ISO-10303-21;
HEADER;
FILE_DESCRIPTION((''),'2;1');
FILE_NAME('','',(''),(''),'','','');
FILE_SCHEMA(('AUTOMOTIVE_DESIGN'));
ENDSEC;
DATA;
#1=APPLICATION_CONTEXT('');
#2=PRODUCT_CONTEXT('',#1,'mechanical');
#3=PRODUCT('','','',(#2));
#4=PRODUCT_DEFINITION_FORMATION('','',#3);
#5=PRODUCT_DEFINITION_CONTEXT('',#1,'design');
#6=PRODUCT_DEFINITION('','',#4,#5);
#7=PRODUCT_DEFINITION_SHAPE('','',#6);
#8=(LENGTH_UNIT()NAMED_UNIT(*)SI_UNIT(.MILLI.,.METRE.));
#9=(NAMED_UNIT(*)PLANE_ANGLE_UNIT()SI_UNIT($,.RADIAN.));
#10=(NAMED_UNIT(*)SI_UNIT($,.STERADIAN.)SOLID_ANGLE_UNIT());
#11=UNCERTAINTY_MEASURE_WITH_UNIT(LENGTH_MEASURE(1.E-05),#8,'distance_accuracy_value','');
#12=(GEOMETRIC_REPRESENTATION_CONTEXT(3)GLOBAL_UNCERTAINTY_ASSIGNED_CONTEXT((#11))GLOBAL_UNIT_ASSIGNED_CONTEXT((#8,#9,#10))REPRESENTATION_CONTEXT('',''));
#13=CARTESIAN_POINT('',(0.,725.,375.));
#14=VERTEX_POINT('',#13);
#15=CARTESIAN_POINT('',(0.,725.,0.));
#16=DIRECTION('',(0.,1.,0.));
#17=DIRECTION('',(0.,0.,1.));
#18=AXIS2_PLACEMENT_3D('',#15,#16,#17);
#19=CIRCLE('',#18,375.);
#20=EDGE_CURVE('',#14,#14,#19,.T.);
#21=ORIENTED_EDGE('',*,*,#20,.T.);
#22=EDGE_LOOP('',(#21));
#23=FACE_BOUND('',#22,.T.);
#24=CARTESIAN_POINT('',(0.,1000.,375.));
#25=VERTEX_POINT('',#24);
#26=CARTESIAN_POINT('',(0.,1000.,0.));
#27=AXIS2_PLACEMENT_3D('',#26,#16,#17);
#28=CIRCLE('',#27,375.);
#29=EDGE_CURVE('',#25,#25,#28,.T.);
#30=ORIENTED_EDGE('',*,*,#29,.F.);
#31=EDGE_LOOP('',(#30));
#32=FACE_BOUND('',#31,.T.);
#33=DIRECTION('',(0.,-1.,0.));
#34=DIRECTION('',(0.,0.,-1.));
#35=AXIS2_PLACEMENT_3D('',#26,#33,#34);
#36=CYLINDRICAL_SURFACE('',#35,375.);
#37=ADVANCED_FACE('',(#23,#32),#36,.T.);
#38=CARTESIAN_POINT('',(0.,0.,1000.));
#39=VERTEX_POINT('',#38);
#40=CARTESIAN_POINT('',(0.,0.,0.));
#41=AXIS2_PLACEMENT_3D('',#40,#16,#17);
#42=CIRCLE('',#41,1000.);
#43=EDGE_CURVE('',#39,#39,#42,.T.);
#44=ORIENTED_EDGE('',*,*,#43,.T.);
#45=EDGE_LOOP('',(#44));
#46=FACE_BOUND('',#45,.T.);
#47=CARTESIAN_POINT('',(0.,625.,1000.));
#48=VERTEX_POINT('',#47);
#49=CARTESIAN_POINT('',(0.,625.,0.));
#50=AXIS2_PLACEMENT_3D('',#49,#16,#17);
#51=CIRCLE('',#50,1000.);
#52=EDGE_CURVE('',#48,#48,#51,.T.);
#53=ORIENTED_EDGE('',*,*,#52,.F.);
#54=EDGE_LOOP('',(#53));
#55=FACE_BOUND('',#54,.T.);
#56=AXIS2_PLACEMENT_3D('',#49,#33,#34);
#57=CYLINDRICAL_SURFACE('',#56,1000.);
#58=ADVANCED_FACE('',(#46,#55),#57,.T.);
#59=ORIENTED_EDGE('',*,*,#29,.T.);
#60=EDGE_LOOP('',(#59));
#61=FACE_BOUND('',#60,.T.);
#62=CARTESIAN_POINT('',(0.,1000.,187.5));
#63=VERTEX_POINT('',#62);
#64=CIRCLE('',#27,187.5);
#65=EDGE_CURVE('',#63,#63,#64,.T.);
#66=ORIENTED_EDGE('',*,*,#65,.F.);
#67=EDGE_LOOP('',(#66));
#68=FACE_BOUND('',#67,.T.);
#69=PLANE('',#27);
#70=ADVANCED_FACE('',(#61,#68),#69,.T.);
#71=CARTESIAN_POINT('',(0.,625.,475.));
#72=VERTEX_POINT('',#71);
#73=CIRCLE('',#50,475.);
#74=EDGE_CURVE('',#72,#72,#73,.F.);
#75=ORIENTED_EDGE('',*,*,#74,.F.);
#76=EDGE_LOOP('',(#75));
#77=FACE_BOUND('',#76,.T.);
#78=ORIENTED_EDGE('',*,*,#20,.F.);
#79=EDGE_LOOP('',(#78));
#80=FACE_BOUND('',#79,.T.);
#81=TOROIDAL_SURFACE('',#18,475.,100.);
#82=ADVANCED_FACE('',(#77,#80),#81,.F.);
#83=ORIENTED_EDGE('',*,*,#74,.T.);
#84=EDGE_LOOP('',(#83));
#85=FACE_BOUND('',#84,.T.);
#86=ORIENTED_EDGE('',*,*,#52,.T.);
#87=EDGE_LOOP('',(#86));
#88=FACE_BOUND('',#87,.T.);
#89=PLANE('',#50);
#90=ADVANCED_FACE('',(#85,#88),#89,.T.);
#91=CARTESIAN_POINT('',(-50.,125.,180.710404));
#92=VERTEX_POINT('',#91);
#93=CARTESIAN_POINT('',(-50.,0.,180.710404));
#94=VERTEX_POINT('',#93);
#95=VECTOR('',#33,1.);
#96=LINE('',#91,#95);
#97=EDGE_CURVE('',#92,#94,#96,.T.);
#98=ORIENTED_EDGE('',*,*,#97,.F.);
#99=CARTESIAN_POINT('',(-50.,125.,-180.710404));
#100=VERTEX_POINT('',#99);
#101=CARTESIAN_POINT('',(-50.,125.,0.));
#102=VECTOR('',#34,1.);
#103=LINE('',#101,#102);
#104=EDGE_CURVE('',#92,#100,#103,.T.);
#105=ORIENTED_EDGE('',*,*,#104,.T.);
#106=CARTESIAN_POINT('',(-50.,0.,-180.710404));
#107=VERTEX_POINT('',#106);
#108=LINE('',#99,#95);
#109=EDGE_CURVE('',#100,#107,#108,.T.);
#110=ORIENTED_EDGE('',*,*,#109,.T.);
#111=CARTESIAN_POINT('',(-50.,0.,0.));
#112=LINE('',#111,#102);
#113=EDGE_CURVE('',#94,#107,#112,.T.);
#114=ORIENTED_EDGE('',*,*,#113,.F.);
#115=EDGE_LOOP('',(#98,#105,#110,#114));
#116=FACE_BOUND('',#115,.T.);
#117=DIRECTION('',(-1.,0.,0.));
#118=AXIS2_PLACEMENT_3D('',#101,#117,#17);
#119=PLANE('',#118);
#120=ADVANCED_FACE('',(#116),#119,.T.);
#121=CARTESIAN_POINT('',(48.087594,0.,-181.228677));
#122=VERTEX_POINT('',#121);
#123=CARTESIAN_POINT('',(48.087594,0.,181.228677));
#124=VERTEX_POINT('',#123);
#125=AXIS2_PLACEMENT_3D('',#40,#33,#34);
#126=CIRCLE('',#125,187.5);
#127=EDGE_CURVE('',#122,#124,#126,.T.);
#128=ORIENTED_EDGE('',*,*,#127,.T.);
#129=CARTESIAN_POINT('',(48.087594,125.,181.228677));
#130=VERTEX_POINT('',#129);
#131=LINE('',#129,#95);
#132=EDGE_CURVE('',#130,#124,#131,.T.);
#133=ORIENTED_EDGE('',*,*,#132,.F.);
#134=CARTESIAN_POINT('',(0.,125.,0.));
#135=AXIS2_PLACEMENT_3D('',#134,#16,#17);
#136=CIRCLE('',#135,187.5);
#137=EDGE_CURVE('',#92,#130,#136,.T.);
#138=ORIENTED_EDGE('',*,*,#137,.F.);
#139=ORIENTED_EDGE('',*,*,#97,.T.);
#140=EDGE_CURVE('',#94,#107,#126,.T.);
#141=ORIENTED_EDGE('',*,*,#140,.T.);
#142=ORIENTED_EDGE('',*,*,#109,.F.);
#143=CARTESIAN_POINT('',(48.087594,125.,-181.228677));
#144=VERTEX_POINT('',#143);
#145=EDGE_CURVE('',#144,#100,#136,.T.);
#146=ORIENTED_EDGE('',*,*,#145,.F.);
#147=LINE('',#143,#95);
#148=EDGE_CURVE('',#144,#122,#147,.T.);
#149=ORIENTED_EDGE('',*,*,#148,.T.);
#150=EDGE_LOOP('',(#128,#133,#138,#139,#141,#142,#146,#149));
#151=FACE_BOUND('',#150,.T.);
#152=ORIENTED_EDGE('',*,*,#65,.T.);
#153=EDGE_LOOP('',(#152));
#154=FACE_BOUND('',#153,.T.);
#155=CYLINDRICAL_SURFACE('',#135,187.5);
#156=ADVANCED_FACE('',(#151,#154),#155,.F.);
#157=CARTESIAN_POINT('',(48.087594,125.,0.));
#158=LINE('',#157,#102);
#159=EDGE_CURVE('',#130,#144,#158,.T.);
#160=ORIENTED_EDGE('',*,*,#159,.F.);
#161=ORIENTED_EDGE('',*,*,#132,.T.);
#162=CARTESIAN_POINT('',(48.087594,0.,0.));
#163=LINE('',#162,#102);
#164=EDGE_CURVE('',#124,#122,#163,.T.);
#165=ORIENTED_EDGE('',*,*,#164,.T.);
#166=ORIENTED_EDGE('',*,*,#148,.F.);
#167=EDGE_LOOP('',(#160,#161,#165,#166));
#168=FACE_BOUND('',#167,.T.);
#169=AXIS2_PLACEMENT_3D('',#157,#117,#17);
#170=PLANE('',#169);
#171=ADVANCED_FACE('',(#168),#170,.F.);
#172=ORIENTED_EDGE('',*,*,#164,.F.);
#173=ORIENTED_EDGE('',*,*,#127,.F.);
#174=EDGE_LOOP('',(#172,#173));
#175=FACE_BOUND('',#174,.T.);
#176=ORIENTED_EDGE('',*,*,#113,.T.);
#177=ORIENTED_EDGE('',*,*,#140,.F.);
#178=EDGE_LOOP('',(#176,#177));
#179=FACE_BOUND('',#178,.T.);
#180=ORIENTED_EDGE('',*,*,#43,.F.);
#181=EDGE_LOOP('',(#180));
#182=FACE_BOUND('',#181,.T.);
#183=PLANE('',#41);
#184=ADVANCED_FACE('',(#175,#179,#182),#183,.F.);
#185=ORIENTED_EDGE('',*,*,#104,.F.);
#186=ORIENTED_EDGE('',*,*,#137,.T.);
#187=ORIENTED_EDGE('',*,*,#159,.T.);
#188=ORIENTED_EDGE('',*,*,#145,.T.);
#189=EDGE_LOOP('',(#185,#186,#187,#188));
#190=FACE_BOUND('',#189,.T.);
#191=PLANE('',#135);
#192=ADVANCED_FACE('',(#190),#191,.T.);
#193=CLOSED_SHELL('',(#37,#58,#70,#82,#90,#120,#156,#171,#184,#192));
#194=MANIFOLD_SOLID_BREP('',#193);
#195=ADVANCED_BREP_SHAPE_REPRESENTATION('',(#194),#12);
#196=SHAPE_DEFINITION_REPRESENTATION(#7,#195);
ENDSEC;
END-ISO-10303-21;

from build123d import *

# Parameters (mm, degrees)
SKETCH1_R           = 1000
BOSS_EXTRUDE1_DEPTH = 625
SKETCH2_R           = 375
BOSS_EXTRUDE2_DEPTH = 375
FILLET1_R           = 100
SKETCH3_R           = 187.5
CUT_EXTRUDE1_DEPTH  = 875
CUT_EXTRUDE2_START  = -125
CUT_EXTRUDE2_DEPTH  = 125


with BuildPart() as part:
    # Sketch1 → Boss-Extrude1 (new body)
    with BuildSketch(Plane(origin=(0, 0, 0), x_dir=(1, 0, 0), z_dir=(0, 1, 0))):
        with Locations(Location((0, 0, 0), (0, 0, 270))):
            Circle(SKETCH1_R)
    extrude(amount=BOSS_EXTRUDE1_DEPTH)

    # Sketch2 → Boss-Extrude2 (add)
    with BuildSketch(Plane(origin=(0, 625, 0), x_dir=(1, 0, 0), z_dir=(0, 1, 0))):
        with Locations(Location((0, 0, 0), (0, 0, 270))):
            Circle(SKETCH2_R)
    extrude(amount=BOSS_EXTRUDE2_DEPTH)

    # Fillet1
    fillet1_edges = [part.edges().sort_by_distance(p)[0] for p in [
        (0, 625, -375),
    ]]
    fillet(fillet1_edges, radius=FILLET1_R)

    # Sketch3 → Cut-Extrude1 (cut)
    with BuildSketch(Plane(origin=(0, 1000, 0), x_dir=(1, 0, 0), z_dir=(0, 1, 0))):
        with Locations(Location((0, 0, 0), (0, 0, 270))):
            Circle(SKETCH3_R)
    extrude(amount=-CUT_EXTRUDE1_DEPTH, mode=Mode.SUBTRACT)

    # Sketch4 → Cut-Extrude2 (cut)
    with BuildSketch(Plane(origin=(0, 0, 0), x_dir=(-1, 0, 0), z_dir=(0, -1, 0)).offset(CUT_EXTRUDE2_START)):
        with BuildLine():
            Line((50, 180.710403685), (50, -180.710403685))
            ThreePointArc((50, -180.710403685), (187.5, 0), (50, 180.710403685))
        make_face()
        with BuildLine():
            ThreePointArc((-48.087593772, 181.228676884), (-187.5, 0), (-48.087593772, -181.228676884))
            Line((-48.087593772, -181.228676884), (-48.087593772, 181.228676884))
        make_face()
    extrude(amount=CUT_EXTRUDE2_DEPTH, mode=Mode.SUBTRACT)


solid = part.part
